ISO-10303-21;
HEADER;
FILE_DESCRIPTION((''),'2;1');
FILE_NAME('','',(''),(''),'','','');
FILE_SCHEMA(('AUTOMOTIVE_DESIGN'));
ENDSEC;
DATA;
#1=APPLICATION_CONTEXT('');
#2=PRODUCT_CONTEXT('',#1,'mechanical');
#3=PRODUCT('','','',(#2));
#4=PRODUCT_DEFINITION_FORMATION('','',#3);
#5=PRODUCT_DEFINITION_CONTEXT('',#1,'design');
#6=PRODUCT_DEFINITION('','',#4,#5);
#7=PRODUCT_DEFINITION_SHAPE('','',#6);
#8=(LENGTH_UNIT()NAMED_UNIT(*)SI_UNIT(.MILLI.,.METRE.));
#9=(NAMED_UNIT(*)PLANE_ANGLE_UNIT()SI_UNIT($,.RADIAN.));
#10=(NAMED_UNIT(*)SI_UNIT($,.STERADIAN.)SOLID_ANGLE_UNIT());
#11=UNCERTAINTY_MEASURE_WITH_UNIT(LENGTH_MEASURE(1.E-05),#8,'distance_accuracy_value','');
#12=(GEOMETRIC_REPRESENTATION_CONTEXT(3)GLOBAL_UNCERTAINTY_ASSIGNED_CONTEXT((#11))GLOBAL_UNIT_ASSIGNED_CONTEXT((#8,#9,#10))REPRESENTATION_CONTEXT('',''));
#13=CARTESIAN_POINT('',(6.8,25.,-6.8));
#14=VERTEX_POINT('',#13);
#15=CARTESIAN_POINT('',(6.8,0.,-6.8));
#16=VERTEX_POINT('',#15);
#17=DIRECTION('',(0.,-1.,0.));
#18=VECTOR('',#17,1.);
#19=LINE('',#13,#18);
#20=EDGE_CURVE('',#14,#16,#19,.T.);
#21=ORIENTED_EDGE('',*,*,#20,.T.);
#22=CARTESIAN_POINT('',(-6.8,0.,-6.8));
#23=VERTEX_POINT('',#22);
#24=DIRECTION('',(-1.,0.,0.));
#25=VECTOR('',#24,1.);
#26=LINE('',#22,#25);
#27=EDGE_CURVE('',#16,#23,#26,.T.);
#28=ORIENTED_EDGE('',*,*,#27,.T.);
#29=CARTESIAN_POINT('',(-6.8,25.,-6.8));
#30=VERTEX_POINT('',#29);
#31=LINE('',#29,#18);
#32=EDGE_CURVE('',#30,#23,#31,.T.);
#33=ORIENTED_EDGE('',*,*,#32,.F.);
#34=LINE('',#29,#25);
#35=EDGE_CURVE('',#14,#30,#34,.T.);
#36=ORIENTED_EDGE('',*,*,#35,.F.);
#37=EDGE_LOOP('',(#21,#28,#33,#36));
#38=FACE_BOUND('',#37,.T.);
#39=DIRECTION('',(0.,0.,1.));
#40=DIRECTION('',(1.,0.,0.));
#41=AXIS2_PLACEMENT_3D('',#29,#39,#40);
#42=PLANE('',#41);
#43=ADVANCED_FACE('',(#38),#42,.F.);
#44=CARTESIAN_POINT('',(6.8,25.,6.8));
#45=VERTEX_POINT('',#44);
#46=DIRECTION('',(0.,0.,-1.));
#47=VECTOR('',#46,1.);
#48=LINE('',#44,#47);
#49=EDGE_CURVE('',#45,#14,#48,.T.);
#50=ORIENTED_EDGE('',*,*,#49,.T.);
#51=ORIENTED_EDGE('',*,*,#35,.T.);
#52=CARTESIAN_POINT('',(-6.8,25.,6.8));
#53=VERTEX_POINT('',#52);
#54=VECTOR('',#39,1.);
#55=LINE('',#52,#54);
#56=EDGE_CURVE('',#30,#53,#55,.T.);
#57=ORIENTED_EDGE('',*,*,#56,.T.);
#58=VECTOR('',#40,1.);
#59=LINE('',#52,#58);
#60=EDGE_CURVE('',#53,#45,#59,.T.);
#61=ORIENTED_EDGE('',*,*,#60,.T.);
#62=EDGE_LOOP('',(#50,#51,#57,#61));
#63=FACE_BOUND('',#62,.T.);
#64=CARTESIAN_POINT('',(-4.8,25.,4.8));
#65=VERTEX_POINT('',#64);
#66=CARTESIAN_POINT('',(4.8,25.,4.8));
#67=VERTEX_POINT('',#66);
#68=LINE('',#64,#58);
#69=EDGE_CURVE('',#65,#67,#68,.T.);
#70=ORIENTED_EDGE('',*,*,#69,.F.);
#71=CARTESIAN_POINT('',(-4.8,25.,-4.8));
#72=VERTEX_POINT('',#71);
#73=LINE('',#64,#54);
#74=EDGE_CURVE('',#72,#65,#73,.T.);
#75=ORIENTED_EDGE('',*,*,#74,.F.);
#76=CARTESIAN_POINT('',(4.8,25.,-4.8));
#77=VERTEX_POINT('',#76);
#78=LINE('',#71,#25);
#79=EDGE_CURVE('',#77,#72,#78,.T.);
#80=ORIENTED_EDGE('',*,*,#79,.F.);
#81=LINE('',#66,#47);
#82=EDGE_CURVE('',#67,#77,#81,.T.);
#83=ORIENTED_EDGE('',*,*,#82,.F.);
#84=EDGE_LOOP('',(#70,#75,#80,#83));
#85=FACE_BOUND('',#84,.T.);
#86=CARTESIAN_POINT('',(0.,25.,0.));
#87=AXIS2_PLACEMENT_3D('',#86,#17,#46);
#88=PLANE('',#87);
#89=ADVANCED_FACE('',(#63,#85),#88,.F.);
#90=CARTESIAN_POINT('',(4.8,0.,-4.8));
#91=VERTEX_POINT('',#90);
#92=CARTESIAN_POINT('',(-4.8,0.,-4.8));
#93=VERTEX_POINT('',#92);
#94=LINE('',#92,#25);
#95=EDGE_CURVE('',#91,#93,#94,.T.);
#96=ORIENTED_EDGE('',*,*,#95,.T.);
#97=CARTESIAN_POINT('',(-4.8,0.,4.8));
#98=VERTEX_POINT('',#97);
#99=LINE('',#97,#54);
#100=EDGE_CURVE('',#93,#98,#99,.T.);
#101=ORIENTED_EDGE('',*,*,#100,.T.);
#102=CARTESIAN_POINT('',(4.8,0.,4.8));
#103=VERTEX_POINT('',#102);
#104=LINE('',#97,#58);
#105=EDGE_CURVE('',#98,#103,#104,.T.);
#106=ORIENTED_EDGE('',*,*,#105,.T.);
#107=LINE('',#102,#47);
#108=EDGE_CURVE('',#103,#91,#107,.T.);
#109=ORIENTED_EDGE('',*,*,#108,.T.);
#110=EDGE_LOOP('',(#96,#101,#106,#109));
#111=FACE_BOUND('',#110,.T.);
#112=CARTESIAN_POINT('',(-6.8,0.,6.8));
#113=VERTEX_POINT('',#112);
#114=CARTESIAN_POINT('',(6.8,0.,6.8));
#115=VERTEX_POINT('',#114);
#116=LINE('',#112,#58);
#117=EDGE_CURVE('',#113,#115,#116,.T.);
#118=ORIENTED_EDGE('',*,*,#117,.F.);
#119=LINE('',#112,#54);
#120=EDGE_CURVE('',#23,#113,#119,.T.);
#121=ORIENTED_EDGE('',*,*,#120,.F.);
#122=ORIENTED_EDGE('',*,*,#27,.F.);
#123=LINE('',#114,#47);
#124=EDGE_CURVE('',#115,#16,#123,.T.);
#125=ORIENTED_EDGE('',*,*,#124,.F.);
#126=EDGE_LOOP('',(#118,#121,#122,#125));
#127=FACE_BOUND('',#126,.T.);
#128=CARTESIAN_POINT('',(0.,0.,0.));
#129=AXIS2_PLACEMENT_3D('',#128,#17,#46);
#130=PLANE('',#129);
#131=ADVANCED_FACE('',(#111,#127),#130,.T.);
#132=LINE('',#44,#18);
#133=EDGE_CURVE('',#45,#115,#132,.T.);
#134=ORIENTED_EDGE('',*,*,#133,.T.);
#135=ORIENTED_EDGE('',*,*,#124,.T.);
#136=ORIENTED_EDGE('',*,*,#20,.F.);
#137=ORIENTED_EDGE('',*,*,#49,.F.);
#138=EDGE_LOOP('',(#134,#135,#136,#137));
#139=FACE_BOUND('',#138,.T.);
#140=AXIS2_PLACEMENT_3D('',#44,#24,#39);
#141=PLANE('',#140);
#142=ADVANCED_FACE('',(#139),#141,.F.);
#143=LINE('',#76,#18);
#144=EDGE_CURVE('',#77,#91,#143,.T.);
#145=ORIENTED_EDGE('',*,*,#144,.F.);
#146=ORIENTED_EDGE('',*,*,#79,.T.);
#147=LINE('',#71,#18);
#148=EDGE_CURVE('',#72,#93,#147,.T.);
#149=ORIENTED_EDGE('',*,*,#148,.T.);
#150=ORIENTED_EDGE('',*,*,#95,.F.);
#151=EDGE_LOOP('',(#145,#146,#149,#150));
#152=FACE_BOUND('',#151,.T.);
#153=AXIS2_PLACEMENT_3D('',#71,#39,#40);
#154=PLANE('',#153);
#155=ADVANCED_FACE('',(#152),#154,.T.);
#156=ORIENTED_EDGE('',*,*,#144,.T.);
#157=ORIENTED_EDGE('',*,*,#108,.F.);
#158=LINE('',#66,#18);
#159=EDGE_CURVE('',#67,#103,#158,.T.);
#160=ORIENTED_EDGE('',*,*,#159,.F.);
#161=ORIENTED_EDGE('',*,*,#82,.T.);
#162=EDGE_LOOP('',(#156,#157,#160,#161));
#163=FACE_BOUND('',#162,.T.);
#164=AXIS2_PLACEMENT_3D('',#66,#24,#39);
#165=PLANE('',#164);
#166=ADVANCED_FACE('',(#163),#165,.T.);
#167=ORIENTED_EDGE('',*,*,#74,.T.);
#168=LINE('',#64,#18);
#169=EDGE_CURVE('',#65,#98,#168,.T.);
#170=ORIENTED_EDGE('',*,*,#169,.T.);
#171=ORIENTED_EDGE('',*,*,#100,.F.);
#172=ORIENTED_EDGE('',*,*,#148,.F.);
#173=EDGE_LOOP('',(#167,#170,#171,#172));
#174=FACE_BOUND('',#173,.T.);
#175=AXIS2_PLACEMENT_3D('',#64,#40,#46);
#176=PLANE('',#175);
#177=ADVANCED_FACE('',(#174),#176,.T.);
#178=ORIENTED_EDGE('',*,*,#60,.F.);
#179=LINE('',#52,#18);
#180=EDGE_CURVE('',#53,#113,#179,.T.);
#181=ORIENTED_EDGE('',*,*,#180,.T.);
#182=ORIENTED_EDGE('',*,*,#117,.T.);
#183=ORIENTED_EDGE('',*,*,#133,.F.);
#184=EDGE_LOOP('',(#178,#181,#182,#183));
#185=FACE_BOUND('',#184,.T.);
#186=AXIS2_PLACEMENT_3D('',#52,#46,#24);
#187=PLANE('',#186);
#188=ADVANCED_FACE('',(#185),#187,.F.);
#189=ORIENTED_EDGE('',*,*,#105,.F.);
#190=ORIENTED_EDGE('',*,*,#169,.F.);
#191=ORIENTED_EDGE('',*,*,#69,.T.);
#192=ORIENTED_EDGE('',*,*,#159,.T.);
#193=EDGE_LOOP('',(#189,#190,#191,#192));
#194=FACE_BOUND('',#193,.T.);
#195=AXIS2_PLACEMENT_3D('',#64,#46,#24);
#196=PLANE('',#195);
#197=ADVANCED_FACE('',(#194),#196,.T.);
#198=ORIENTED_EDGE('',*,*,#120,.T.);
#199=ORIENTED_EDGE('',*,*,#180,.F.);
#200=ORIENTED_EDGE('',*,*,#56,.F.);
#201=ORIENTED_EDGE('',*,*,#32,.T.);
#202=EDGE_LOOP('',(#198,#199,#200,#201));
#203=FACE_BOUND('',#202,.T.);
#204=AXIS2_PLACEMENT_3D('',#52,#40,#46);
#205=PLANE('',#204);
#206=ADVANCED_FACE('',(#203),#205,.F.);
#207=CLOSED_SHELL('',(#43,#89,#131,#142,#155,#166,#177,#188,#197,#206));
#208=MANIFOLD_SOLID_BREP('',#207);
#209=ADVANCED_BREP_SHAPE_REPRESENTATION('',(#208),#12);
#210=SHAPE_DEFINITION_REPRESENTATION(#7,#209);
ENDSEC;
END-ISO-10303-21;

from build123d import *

# Parameters (mm, degrees)
SKETCH1_W           = 13.6
SKETCH1_H           = 13.6
SKETCH1_W_2         = 9.6
SKETCH1_H_2         = 9.6
BOSS_EXTRUDE1_DEPTH = 25


with BuildPart() as part:
    # Sketch1 → Boss-Extrude1 (new body)
    with BuildSketch(Plane(origin=(0, 0, 0), x_dir=(1, 0, 0), z_dir=(0, 1, 0))):
        Rectangle(SKETCH1_W, SKETCH1_H)
        Rectangle(SKETCH1_W_2, SKETCH1_H_2, mode=Mode.SUBTRACT)
    extrude(amount=BOSS_EXTRUDE1_DEPTH)


solid = part.part
